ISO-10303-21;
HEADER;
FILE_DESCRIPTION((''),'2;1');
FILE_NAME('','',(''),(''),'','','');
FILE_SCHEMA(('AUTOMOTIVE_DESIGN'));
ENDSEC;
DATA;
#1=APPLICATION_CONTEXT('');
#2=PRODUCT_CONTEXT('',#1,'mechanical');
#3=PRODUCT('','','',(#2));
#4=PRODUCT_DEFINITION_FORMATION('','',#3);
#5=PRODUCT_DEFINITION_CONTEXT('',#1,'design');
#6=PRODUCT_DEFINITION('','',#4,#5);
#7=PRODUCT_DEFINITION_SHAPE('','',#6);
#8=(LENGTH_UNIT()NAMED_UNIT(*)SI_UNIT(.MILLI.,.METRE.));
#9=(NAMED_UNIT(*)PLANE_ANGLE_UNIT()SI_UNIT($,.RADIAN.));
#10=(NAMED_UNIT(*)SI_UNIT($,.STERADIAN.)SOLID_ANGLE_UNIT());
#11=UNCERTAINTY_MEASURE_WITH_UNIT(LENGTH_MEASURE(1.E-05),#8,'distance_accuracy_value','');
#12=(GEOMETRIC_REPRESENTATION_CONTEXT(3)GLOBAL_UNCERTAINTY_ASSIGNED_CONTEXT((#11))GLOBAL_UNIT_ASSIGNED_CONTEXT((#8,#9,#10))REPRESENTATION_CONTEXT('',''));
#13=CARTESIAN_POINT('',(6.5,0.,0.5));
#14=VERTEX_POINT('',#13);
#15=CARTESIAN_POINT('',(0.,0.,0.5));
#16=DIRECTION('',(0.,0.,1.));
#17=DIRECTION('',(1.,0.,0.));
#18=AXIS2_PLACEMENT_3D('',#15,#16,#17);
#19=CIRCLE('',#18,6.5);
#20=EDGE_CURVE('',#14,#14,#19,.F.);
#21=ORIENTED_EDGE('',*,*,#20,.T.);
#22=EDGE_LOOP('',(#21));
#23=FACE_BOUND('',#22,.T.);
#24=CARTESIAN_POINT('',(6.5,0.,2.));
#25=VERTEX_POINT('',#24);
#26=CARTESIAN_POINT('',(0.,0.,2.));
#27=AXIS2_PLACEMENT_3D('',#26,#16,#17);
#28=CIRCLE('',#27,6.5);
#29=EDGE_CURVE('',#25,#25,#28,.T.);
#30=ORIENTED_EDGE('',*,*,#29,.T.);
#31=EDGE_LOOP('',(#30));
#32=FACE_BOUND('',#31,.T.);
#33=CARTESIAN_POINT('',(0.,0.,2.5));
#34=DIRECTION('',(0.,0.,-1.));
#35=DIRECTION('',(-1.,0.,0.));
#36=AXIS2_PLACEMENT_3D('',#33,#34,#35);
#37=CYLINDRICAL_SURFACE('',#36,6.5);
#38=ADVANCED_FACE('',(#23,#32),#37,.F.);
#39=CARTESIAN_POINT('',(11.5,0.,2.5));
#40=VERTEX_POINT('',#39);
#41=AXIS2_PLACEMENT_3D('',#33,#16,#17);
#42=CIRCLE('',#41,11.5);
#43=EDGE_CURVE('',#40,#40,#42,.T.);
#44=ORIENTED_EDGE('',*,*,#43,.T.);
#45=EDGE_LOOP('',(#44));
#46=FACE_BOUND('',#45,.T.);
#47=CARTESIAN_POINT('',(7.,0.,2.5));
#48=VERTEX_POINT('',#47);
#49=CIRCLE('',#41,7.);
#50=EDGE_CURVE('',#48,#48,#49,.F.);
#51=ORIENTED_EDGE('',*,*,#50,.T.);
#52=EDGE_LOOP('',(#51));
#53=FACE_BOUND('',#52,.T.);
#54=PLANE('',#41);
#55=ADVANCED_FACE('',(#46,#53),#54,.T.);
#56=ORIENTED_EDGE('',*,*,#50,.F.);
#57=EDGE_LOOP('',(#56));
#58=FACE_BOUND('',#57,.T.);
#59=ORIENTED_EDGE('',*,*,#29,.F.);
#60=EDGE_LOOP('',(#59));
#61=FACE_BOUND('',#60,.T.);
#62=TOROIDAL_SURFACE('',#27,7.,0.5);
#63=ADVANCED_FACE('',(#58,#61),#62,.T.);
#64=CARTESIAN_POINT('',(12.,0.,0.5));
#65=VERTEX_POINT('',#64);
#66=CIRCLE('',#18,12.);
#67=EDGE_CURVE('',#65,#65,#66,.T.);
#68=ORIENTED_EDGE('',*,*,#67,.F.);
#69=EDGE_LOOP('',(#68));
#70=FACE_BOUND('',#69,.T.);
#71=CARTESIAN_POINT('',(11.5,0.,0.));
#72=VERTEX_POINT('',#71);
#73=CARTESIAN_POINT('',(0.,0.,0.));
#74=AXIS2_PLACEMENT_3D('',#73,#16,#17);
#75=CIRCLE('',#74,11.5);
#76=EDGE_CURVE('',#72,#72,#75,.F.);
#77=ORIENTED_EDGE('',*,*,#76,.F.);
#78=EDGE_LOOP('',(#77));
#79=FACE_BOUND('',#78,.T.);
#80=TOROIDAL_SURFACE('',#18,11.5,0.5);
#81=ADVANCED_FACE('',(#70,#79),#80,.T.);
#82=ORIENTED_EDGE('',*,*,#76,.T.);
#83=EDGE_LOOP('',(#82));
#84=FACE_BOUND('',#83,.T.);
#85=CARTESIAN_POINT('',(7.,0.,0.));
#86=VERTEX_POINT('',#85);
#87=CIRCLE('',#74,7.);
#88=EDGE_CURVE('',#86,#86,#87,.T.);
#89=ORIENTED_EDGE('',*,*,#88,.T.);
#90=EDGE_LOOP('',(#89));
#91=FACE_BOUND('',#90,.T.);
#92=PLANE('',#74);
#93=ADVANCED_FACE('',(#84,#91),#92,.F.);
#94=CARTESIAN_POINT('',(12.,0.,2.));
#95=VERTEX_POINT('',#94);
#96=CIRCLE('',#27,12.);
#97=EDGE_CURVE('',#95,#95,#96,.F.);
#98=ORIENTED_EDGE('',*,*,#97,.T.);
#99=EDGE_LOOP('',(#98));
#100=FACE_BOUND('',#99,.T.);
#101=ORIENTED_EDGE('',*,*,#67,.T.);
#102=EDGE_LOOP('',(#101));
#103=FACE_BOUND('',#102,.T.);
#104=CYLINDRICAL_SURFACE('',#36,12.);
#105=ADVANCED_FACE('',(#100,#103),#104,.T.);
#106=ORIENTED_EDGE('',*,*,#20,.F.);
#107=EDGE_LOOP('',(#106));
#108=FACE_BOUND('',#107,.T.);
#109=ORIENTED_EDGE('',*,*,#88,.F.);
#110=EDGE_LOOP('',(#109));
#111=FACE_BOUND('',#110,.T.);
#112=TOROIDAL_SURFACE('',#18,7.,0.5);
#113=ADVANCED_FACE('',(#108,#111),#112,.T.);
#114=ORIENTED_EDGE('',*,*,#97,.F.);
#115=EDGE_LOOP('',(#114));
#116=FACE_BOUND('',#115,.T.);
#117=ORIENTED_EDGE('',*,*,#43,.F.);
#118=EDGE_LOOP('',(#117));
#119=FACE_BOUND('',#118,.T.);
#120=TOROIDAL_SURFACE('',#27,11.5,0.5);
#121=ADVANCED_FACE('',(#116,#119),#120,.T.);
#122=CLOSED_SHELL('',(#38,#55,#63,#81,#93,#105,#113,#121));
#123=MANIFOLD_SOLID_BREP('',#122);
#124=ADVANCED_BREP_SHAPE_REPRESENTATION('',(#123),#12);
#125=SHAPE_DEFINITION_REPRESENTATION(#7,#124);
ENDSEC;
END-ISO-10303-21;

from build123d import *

# Parameters (mm, degrees)
SKETCH1_R           = 12
SKETCH1_R_2         = 6.5
BOSS_EXTRUDE1_DEPTH = 2.5
FILLET1_R           = 0.5


with BuildPart() as part:
    # Sketch1 → Boss-Extrude1 (new body)
    with BuildSketch(Plane.XY):
        Circle(SKETCH1_R)
        Circle(SKETCH1_R_2, mode=Mode.SUBTRACT)
    extrude(amount=BOSS_EXTRUDE1_DEPTH)

    # Fillet1
    fillet1_edges = [part.edges().sort_by_distance(p)[0] for p in [
        (-12, 0, 0),
        (-12, 0, 2.5),
        (-6.5, 0, 0),
        (-6.5, 0, 2.5),
    ]]
    fillet(fillet1_edges, radius=FILLET1_R)


solid = part.part
